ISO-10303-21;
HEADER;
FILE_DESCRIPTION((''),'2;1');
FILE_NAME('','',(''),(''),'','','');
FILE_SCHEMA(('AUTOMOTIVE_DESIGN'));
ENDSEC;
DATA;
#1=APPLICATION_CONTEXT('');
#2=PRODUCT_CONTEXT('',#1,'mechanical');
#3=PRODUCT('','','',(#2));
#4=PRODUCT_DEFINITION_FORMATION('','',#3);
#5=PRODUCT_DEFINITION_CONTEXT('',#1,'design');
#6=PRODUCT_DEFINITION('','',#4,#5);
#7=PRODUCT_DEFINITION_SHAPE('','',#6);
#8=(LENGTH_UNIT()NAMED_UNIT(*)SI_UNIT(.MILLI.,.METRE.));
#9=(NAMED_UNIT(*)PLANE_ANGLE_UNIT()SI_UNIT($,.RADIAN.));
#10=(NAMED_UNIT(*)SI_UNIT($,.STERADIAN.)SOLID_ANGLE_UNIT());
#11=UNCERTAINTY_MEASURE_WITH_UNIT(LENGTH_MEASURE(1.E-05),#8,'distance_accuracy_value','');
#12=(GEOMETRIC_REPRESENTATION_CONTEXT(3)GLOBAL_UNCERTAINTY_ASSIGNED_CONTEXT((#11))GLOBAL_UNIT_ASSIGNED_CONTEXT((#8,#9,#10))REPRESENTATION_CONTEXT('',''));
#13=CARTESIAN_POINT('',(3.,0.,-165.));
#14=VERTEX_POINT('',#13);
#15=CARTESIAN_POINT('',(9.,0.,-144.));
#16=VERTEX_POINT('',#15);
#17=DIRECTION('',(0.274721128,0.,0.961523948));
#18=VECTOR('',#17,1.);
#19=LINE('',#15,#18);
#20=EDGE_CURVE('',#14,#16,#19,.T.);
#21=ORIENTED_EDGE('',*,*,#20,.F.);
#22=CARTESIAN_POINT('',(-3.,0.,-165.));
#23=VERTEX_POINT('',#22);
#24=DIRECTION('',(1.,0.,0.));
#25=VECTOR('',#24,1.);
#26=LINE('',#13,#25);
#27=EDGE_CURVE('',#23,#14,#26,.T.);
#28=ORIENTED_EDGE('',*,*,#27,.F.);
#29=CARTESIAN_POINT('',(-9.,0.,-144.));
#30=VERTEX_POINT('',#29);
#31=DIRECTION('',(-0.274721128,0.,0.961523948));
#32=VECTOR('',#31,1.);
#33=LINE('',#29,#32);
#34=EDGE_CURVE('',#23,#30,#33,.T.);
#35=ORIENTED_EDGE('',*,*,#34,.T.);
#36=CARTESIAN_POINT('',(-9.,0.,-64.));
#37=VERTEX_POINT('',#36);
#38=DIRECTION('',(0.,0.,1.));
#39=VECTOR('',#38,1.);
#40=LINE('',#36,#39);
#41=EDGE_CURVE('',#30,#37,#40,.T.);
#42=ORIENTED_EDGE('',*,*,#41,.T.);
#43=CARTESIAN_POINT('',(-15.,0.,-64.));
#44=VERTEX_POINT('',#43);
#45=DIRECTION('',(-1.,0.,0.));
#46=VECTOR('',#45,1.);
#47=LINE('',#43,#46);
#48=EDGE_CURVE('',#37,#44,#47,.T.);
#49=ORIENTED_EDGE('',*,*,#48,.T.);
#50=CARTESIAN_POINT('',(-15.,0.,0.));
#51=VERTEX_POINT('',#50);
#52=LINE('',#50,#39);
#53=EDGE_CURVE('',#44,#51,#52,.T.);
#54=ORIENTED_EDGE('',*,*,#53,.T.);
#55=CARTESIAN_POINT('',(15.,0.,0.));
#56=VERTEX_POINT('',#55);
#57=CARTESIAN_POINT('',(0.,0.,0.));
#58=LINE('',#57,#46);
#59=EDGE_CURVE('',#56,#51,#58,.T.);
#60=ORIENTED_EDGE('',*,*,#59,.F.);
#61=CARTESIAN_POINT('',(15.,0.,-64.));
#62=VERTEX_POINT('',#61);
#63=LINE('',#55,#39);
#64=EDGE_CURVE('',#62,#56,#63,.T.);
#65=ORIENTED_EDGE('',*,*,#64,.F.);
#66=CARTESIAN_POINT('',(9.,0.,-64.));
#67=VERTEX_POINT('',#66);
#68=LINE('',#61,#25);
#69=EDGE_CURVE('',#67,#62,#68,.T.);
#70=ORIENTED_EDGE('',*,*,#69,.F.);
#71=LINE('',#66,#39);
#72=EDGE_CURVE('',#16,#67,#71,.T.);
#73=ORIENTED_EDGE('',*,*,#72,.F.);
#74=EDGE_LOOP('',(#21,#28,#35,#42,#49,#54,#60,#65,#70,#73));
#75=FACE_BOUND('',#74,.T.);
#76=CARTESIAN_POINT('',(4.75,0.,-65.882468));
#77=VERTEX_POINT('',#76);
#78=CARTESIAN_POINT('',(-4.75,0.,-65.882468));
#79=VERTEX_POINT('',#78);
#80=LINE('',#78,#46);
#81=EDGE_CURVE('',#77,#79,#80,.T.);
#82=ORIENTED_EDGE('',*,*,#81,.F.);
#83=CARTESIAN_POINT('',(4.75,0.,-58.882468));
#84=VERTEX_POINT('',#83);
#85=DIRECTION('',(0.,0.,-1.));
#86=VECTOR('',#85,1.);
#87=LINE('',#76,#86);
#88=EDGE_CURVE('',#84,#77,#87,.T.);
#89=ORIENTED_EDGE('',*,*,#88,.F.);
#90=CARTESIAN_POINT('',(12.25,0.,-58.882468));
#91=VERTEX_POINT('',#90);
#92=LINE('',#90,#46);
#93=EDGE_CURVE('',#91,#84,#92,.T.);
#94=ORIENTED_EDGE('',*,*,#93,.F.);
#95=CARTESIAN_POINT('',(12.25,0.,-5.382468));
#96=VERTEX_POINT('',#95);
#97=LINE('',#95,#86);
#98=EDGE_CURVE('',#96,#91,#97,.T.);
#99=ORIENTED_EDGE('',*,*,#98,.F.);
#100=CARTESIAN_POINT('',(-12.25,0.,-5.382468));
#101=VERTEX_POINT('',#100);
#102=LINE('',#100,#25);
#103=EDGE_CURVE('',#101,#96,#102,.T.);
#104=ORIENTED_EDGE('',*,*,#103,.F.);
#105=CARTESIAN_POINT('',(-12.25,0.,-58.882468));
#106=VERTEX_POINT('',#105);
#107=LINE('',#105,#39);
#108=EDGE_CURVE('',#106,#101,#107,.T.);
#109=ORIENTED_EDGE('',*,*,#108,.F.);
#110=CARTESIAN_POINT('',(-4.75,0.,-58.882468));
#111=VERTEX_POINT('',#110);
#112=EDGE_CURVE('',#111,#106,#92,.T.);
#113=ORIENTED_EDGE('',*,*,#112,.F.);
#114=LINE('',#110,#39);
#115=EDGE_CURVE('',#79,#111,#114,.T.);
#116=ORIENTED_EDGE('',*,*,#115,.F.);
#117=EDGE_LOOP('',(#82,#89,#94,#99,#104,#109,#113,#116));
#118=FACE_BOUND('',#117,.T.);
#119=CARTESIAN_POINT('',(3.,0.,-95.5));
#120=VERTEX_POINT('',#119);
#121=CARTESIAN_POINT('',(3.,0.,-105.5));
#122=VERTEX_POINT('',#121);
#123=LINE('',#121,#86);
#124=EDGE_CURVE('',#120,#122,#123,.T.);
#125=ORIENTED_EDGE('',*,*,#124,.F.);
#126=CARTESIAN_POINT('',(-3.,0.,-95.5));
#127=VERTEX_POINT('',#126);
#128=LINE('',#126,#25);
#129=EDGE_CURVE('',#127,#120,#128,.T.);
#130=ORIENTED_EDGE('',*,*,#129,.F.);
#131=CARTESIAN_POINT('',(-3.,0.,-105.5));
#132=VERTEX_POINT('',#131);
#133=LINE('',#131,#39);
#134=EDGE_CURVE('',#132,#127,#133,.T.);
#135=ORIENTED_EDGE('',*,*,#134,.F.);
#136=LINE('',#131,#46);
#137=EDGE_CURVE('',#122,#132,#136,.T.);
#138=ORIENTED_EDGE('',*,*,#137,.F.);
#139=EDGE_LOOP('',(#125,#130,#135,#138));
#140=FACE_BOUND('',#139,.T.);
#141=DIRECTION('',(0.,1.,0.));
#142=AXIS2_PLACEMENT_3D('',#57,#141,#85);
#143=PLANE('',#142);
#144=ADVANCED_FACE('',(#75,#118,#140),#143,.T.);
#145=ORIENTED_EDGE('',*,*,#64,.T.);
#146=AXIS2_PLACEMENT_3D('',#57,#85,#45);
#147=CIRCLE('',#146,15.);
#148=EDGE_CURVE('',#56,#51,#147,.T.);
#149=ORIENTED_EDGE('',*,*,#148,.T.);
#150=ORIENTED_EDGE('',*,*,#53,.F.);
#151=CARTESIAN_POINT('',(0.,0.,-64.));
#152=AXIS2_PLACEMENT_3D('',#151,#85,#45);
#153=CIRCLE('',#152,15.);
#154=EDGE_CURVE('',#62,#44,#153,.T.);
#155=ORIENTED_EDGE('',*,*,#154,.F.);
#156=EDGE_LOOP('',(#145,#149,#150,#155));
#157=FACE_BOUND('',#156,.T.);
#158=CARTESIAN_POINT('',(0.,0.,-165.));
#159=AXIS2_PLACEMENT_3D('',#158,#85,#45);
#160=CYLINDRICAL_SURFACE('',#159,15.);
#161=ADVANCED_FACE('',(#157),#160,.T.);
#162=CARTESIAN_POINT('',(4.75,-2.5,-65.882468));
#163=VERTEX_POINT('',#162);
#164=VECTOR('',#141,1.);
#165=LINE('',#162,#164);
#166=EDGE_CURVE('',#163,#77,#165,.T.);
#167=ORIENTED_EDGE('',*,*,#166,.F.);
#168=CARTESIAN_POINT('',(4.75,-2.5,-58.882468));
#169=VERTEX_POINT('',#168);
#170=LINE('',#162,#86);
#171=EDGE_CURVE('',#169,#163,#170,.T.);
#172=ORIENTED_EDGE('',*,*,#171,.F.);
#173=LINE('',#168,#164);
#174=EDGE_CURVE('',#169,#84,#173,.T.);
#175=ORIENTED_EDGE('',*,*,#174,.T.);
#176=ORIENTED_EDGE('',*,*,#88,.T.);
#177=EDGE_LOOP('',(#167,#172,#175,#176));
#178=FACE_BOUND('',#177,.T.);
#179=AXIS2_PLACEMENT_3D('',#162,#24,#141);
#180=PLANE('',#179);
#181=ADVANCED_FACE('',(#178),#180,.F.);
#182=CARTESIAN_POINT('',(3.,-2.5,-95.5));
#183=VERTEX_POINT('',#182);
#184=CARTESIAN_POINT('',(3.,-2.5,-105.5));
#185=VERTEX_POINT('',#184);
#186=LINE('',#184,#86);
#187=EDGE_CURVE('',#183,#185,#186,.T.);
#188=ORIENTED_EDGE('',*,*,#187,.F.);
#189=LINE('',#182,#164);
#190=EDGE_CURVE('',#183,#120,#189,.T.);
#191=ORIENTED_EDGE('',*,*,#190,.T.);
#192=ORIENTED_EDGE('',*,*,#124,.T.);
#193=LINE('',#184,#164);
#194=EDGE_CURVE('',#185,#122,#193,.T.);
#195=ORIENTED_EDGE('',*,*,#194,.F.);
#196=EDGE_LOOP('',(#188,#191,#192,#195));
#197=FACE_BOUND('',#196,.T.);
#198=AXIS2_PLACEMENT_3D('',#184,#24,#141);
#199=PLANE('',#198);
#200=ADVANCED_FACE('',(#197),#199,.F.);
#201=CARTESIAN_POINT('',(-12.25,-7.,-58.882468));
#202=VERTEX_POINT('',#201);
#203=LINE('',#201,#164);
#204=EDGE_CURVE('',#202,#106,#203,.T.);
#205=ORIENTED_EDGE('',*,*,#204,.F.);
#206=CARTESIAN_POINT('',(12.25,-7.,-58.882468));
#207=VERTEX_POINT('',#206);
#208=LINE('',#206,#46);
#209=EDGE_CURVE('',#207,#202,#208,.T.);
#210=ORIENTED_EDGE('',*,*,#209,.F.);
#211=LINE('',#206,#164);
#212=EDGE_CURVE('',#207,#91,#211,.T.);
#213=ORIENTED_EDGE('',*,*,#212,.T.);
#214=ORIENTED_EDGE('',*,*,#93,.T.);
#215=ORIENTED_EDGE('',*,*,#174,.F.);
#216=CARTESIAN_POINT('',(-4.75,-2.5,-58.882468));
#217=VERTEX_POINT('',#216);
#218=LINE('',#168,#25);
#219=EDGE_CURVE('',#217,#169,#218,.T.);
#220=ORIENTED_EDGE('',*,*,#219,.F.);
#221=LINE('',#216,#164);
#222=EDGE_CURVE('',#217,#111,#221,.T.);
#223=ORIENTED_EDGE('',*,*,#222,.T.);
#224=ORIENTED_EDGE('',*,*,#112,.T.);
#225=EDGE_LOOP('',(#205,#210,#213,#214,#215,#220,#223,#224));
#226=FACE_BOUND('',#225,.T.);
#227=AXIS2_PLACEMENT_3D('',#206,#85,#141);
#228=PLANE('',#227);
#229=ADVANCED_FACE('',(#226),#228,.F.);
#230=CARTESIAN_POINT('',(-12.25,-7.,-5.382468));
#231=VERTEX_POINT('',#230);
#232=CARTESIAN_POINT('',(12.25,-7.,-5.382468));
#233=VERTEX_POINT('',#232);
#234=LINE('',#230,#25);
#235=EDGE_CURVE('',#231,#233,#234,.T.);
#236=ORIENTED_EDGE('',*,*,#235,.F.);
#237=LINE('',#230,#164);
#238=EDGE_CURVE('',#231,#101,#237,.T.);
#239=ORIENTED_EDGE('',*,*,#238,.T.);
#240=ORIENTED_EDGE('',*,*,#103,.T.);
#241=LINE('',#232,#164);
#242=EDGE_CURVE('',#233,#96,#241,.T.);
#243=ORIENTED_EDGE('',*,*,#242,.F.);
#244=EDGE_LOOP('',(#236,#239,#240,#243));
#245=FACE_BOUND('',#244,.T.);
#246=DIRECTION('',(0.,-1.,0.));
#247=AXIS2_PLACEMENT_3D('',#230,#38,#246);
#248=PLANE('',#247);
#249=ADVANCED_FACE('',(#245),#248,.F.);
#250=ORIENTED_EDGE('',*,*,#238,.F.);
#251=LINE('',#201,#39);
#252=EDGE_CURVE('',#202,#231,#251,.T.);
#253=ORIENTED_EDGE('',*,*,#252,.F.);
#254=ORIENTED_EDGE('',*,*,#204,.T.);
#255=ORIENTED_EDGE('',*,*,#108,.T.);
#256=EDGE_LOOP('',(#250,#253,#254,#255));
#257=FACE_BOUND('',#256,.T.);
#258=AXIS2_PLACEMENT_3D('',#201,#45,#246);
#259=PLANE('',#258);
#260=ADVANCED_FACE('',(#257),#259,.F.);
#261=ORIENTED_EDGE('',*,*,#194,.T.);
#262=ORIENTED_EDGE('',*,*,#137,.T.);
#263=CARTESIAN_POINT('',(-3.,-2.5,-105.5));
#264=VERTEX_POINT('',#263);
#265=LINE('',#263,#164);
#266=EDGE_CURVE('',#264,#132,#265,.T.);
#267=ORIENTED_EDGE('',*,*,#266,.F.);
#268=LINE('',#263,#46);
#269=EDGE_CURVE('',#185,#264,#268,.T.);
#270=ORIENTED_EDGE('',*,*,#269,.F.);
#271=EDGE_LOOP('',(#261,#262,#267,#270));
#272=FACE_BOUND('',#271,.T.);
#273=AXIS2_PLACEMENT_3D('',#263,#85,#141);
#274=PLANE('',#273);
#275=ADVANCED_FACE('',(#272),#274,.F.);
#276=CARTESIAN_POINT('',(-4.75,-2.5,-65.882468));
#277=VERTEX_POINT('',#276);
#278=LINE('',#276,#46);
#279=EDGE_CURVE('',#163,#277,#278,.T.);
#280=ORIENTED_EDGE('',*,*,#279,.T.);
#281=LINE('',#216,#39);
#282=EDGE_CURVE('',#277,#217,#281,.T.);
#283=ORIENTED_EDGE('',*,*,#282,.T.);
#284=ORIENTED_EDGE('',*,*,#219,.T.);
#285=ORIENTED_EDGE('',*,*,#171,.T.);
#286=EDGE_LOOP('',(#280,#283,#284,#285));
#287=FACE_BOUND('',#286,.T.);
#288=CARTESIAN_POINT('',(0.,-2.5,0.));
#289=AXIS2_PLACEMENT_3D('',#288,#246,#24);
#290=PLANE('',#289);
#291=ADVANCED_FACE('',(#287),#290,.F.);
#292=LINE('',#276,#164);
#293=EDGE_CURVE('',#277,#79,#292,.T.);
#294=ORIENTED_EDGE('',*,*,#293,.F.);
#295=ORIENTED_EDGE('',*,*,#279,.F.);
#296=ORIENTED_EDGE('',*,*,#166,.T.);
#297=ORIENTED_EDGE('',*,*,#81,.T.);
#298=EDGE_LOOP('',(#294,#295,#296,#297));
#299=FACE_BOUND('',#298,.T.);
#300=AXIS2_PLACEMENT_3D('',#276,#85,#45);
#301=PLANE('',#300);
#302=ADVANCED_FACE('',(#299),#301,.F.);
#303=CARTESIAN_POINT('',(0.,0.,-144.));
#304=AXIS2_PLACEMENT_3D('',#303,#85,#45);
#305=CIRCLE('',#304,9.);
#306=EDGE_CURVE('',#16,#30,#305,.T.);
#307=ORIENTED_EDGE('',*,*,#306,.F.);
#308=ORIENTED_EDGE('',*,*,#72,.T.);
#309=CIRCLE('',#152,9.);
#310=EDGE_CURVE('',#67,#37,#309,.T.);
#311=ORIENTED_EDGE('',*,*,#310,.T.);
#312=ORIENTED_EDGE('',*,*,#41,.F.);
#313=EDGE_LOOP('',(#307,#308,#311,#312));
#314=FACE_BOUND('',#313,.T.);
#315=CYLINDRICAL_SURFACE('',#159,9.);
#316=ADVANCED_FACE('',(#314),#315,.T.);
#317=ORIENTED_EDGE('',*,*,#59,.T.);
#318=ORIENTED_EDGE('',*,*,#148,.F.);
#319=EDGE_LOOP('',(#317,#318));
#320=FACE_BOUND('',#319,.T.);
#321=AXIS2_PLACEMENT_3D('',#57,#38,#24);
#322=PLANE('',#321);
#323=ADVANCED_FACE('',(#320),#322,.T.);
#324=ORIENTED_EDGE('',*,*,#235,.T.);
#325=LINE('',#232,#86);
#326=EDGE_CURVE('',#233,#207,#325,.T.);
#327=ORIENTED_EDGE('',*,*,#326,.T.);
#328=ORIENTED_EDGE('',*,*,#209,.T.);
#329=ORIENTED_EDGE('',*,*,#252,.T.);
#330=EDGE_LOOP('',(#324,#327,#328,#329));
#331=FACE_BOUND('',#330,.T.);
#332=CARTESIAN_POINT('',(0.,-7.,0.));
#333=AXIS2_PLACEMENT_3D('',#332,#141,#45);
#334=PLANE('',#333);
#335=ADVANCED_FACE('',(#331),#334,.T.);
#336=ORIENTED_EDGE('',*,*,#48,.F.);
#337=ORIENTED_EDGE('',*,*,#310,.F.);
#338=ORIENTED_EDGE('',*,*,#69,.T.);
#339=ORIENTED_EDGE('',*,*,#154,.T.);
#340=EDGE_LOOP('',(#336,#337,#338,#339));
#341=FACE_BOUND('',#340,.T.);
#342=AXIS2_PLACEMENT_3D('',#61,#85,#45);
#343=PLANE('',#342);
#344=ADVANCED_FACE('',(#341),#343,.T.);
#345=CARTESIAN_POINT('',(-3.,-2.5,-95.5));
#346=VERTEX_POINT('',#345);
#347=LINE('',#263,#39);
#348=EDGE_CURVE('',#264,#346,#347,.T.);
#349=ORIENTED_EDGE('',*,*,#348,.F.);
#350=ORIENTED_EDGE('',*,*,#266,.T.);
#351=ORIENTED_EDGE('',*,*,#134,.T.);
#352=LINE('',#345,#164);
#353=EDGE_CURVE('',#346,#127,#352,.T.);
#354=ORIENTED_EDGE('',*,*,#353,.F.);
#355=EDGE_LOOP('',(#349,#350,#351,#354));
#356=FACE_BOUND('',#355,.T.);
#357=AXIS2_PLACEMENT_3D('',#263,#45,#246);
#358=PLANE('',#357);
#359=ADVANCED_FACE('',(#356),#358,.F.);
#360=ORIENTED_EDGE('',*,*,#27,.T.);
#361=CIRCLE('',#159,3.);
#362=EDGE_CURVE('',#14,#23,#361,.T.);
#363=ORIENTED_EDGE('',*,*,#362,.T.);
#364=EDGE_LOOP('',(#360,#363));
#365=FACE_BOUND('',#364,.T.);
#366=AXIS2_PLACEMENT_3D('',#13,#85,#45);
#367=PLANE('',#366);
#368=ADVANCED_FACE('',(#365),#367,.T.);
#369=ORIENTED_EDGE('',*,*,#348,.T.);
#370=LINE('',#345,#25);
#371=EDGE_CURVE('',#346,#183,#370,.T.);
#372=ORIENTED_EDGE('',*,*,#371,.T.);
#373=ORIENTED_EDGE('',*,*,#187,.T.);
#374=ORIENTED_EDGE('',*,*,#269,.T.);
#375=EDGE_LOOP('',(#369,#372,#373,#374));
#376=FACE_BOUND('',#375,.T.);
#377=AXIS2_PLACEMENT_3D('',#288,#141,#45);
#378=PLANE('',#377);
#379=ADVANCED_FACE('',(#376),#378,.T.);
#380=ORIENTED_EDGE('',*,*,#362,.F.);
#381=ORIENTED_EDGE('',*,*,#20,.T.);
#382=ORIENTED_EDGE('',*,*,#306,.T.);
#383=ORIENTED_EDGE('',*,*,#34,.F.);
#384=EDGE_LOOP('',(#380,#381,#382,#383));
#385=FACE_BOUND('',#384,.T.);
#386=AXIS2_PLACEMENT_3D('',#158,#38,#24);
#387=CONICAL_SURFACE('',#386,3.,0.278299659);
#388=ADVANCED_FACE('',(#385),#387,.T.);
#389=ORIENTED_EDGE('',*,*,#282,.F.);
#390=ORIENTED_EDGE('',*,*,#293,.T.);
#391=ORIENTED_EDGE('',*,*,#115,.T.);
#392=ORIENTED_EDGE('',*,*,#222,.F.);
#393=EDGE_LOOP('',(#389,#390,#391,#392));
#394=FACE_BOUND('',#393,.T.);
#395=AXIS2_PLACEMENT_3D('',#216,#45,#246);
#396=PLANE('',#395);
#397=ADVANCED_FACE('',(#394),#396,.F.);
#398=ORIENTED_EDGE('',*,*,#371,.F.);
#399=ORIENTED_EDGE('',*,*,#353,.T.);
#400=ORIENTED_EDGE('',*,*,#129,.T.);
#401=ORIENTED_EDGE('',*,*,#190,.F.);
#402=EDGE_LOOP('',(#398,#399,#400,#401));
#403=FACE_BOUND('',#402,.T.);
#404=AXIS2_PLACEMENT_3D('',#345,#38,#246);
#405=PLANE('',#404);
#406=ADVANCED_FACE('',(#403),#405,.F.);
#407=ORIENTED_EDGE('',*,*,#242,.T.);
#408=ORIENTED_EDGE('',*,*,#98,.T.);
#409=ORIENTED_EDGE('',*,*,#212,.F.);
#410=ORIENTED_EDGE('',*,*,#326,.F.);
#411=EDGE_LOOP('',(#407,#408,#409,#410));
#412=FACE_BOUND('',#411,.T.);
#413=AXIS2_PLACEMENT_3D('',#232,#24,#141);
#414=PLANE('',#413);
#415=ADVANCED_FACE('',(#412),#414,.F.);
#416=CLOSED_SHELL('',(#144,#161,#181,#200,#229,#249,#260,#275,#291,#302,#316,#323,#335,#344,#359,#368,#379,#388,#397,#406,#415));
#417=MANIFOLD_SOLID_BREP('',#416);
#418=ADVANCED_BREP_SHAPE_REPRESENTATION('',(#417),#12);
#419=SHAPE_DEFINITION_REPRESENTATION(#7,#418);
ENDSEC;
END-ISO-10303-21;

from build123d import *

# Parameters (mm, degrees)
REVOLVE1_ANGLE     = 180
SKETCH3_W          = 24.5
SKETCH3_H          = 53.5
CUT_EXTRUDE1_DEPTH = 7
SKETCH4_W          = 9.5
SKETCH4_H          = 7
CUT_EXTRUDE2_DEPTH = 2.5
SKETCH5_W          = 6
SKETCH5_H          = 10
CUT_EXTRUDE3_DEPTH = 2.5


with BuildPart() as part:
    # Sketch2 → Revolve1 (revolve)
    with BuildSketch(Plane(origin=(0, 0, 0), x_dir=(1, 0, 0), z_dir=(0, 1, 0))):
        Polygon((0, 0), (-15, 0), (-15, 64), (-9, 64), (-9, 144), (-3, 165), (0, 165), align=None)
    revolve(axis=Axis((0, 0, -165), (0, 0, 1)), revolution_arc=REVOLVE1_ANGLE)

    # Sketch3 → Cut-Extrude1 (cut)
    with BuildSketch(Plane(origin=(0, 0, 0), x_dir=(1, 0, 0), z_dir=(0, 1, 0))):
        with Locations((0, 32.132467542)):
            Rectangle(SKETCH3_W, SKETCH3_H)
    extrude(amount=-CUT_EXTRUDE1_DEPTH, mode=Mode.SUBTRACT)

    # Sketch4 → Cut-Extrude2 (cut)
    with BuildSketch(Plane(origin=(0, 0, 0), x_dir=(1, 0, 0), z_dir=(0, 1, 0))):
        with Locations((0, 62.382467542)):
            Rectangle(SKETCH4_W, SKETCH4_H)
    extrude(amount=-CUT_EXTRUDE2_DEPTH, mode=Mode.SUBTRACT)

    # Sketch5 → Cut-Extrude3 (cut)
    with BuildSketch(Plane(origin=(0, 0, 0), x_dir=(1, 0, 0), z_dir=(0, 1, 0))):
        with Locations((0, 100.5)):
            Rectangle(SKETCH5_W, SKETCH5_H)
    extrude(amount=-CUT_EXTRUDE3_DEPTH, mode=Mode.SUBTRACT)


solid = part.part
